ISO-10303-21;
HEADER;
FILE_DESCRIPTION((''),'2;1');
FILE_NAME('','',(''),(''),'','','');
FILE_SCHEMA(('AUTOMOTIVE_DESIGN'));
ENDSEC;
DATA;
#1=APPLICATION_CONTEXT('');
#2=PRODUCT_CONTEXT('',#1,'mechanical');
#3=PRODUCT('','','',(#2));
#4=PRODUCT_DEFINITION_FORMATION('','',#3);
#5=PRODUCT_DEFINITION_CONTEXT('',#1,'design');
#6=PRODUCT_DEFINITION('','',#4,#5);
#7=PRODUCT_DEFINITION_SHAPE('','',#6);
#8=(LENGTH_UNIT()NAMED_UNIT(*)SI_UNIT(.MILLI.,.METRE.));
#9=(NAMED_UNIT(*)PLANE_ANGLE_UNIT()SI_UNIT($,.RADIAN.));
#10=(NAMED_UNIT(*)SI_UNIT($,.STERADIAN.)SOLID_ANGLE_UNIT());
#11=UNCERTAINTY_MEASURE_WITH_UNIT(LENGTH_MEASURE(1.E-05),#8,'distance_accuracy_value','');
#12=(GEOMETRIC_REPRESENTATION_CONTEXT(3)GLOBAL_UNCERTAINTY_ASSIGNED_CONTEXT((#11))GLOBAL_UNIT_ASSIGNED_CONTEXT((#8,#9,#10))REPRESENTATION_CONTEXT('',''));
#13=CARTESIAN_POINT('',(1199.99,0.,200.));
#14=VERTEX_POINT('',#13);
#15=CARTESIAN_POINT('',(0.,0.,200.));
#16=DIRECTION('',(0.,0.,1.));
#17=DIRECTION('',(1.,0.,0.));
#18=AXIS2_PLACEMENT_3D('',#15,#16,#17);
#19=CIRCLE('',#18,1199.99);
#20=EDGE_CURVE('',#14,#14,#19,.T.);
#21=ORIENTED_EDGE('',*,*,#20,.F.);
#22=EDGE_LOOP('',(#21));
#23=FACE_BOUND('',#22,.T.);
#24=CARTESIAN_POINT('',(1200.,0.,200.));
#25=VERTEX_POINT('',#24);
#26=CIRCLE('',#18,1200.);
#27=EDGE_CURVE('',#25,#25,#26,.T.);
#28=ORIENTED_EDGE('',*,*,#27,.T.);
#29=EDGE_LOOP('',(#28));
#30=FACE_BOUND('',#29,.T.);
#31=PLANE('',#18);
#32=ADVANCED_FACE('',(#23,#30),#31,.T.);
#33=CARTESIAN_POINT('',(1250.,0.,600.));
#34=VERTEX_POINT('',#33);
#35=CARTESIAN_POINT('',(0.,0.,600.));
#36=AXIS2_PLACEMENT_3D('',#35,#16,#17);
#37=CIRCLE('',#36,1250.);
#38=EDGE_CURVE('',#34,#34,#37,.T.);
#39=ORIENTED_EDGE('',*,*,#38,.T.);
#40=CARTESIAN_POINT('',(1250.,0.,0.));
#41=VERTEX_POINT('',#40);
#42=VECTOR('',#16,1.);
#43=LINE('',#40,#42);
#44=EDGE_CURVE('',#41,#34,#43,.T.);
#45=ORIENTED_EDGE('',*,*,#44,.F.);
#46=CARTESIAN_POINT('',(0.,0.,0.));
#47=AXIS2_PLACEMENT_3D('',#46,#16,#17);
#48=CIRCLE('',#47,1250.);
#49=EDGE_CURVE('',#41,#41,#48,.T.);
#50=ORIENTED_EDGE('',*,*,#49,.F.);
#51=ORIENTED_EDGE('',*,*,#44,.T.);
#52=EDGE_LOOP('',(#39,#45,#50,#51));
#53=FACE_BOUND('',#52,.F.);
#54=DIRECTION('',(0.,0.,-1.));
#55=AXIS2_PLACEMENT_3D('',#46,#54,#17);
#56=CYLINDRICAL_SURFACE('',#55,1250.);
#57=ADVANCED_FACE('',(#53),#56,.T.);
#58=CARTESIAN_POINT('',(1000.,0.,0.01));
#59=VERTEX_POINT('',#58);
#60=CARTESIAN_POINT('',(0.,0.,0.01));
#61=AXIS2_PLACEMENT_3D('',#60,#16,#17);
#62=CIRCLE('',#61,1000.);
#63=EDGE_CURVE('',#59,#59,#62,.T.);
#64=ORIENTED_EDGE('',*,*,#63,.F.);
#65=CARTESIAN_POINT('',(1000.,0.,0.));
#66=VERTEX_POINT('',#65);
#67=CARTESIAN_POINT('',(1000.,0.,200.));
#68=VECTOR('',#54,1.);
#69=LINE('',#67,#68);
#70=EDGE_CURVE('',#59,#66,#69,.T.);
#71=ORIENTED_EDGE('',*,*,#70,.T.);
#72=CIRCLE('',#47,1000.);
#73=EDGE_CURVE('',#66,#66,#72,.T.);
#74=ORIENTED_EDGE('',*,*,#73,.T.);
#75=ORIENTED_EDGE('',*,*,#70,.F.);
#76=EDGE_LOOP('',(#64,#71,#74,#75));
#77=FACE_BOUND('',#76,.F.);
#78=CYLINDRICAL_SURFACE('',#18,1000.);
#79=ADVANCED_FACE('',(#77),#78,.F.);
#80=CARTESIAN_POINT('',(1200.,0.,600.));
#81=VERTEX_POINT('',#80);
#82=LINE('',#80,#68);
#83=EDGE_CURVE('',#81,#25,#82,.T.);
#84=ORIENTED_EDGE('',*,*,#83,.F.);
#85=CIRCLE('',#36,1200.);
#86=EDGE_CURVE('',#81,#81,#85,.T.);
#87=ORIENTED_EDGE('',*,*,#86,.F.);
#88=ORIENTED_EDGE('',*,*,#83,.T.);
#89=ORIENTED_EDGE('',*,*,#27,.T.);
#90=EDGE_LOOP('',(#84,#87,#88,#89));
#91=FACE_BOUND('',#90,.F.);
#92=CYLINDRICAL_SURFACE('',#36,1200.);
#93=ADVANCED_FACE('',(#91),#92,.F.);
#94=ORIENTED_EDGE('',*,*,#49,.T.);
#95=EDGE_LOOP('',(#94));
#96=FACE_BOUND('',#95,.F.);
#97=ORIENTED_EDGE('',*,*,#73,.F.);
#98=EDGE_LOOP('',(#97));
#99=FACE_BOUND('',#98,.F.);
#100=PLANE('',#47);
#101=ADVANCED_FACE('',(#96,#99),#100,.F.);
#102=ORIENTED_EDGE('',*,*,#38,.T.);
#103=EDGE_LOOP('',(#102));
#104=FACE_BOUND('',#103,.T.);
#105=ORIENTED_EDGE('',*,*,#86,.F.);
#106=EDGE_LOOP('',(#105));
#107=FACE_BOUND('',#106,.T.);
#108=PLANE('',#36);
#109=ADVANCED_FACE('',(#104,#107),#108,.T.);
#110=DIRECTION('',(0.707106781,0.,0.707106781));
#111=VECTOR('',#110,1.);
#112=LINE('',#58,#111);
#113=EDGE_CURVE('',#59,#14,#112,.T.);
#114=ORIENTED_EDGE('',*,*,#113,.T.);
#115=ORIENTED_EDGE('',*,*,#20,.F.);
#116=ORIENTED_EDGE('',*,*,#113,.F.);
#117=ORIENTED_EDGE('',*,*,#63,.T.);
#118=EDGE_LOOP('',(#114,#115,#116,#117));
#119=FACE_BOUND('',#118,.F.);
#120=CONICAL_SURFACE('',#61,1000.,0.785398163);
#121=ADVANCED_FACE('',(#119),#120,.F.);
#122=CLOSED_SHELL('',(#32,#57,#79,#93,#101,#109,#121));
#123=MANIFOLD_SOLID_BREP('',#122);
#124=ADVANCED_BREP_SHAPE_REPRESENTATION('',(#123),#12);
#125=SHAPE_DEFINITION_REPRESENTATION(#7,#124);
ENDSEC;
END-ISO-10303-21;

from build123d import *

# Parameters (mm, degrees)
CYLINDER_R      = 1250
CYLINDER_DEPTH  = 600
SKETCH001_R     = 1200
POCKET_DEPTH    = 400
SKETCH_R        = 1000
POCKET001_DEPTH = 200
CHAMFER_SIZE    = 199.99


with BuildPart() as part:
    # Cylinder → Cylinder (new body)
    with BuildSketch(Plane.XY):
        Circle(CYLINDER_R)
    extrude(amount=CYLINDER_DEPTH)

    # Sketch001 → Pocket (cut)
    with BuildSketch(Plane.XY.offset(600)):
        Circle(SKETCH001_R)
    extrude(amount=-POCKET_DEPTH, mode=Mode.SUBTRACT)

    # Sketch → Pocket001 (cut)
    with BuildSketch(Plane.XY.offset(200)):
        Circle(SKETCH_R)
    extrude(amount=-POCKET001_DEPTH, mode=Mode.SUBTRACT)

    # Chamfer
    chamfer_edges = [part.edges().sort_by_distance(p)[0] for p in [
        (-1000, 0, 200),
    ]]
    chamfer(chamfer_edges, length=CHAMFER_SIZE)


solid = part.part
